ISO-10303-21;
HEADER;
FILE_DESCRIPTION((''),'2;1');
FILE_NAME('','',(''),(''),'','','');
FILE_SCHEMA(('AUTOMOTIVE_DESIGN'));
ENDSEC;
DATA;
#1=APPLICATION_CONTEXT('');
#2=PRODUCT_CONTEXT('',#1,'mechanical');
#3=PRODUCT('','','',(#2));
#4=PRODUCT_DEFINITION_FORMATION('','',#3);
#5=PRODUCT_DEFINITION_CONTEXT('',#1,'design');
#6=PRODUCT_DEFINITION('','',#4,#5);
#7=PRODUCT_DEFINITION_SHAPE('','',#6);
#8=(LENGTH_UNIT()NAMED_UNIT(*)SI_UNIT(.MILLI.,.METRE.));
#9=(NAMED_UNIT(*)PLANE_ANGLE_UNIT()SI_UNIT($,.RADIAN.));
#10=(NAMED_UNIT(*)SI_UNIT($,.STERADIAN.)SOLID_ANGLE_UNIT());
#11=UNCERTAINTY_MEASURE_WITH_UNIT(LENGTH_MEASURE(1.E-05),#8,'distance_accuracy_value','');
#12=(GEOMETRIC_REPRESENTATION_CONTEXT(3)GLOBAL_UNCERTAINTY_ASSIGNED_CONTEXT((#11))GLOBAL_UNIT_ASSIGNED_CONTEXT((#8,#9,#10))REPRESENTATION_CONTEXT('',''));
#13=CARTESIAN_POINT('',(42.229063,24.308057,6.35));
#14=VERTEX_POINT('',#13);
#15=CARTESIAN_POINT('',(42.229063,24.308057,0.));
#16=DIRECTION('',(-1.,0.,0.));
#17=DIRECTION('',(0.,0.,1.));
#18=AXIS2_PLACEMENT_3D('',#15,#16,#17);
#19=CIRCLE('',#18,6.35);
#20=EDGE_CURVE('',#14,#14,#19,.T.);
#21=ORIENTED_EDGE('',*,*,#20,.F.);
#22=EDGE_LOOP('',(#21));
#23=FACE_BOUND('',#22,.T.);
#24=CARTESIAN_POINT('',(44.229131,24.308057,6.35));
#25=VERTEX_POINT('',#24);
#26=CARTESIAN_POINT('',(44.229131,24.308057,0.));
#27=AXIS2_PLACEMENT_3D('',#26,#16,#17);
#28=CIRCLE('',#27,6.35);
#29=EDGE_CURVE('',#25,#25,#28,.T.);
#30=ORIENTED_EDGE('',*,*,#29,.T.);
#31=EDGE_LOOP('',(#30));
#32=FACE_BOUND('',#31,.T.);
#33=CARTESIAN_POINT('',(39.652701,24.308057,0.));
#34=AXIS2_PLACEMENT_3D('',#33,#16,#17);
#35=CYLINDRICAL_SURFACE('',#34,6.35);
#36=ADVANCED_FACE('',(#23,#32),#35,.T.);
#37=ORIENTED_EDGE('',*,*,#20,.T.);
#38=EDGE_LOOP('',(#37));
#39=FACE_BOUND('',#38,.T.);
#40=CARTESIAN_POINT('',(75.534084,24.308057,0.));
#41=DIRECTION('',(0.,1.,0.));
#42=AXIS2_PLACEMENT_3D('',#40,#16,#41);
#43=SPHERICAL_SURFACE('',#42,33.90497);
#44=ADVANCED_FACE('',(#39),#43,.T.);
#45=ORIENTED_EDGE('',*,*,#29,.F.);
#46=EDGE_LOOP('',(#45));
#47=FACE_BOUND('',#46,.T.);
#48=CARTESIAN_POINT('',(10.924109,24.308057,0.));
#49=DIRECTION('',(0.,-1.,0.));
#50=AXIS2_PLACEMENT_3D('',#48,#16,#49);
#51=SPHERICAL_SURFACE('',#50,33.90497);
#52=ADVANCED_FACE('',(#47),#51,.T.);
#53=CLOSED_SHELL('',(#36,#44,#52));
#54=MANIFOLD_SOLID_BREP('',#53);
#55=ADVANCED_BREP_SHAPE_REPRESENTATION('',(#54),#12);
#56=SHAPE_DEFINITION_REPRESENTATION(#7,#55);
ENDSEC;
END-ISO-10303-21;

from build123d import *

# Parameters (mm, degrees)
SKETCH_1_ONE_SIDE_W = 2.000068571
SKETCH_1_ONE_SIDE_H = 6.35


with BuildPart() as part:
    # 草图1 one side → 旋转1 (revolve)
    with BuildSketch(Plane.XY, mode=Mode.PRIVATE) as revolve_1_sk:
        with Locations((43.229096888, 27.483056512)):
            Rectangle(SKETCH_1_ONE_SIDE_W, SKETCH_1_ONE_SIDE_H)
        with BuildLine():
            Line((41.629114602, 24.308056512), (42.229062602, 24.308056512))
            Line((42.229062602, 24.308056512), (42.229062602, 30.658056512))
            ThreePointArc((42.229062602, 30.658056512), (41.77943483, 27.4971958), (41.629114602, 24.308056512))
        make_face()
        with BuildLine():
            Line((44.229131173, 24.308056512), (44.829079173, 24.308056512))
            ThreePointArc((44.829079173, 24.308056512), (44.678758945, 27.4971958), (44.229131173, 30.658056512))
            Line((44.229131173, 30.658056512), (44.229131173, 24.308056512))
        make_face()
    revolve(revolve_1_sk.sketch.rotate(Axis((39.652700675, 24.308056512, 0), (1, 0, 0)), 90), axis=Axis((39.652700675, 24.308056512, 0), (1, 0, 0)))  # turned: the seam where the file's is


solid = part.part
